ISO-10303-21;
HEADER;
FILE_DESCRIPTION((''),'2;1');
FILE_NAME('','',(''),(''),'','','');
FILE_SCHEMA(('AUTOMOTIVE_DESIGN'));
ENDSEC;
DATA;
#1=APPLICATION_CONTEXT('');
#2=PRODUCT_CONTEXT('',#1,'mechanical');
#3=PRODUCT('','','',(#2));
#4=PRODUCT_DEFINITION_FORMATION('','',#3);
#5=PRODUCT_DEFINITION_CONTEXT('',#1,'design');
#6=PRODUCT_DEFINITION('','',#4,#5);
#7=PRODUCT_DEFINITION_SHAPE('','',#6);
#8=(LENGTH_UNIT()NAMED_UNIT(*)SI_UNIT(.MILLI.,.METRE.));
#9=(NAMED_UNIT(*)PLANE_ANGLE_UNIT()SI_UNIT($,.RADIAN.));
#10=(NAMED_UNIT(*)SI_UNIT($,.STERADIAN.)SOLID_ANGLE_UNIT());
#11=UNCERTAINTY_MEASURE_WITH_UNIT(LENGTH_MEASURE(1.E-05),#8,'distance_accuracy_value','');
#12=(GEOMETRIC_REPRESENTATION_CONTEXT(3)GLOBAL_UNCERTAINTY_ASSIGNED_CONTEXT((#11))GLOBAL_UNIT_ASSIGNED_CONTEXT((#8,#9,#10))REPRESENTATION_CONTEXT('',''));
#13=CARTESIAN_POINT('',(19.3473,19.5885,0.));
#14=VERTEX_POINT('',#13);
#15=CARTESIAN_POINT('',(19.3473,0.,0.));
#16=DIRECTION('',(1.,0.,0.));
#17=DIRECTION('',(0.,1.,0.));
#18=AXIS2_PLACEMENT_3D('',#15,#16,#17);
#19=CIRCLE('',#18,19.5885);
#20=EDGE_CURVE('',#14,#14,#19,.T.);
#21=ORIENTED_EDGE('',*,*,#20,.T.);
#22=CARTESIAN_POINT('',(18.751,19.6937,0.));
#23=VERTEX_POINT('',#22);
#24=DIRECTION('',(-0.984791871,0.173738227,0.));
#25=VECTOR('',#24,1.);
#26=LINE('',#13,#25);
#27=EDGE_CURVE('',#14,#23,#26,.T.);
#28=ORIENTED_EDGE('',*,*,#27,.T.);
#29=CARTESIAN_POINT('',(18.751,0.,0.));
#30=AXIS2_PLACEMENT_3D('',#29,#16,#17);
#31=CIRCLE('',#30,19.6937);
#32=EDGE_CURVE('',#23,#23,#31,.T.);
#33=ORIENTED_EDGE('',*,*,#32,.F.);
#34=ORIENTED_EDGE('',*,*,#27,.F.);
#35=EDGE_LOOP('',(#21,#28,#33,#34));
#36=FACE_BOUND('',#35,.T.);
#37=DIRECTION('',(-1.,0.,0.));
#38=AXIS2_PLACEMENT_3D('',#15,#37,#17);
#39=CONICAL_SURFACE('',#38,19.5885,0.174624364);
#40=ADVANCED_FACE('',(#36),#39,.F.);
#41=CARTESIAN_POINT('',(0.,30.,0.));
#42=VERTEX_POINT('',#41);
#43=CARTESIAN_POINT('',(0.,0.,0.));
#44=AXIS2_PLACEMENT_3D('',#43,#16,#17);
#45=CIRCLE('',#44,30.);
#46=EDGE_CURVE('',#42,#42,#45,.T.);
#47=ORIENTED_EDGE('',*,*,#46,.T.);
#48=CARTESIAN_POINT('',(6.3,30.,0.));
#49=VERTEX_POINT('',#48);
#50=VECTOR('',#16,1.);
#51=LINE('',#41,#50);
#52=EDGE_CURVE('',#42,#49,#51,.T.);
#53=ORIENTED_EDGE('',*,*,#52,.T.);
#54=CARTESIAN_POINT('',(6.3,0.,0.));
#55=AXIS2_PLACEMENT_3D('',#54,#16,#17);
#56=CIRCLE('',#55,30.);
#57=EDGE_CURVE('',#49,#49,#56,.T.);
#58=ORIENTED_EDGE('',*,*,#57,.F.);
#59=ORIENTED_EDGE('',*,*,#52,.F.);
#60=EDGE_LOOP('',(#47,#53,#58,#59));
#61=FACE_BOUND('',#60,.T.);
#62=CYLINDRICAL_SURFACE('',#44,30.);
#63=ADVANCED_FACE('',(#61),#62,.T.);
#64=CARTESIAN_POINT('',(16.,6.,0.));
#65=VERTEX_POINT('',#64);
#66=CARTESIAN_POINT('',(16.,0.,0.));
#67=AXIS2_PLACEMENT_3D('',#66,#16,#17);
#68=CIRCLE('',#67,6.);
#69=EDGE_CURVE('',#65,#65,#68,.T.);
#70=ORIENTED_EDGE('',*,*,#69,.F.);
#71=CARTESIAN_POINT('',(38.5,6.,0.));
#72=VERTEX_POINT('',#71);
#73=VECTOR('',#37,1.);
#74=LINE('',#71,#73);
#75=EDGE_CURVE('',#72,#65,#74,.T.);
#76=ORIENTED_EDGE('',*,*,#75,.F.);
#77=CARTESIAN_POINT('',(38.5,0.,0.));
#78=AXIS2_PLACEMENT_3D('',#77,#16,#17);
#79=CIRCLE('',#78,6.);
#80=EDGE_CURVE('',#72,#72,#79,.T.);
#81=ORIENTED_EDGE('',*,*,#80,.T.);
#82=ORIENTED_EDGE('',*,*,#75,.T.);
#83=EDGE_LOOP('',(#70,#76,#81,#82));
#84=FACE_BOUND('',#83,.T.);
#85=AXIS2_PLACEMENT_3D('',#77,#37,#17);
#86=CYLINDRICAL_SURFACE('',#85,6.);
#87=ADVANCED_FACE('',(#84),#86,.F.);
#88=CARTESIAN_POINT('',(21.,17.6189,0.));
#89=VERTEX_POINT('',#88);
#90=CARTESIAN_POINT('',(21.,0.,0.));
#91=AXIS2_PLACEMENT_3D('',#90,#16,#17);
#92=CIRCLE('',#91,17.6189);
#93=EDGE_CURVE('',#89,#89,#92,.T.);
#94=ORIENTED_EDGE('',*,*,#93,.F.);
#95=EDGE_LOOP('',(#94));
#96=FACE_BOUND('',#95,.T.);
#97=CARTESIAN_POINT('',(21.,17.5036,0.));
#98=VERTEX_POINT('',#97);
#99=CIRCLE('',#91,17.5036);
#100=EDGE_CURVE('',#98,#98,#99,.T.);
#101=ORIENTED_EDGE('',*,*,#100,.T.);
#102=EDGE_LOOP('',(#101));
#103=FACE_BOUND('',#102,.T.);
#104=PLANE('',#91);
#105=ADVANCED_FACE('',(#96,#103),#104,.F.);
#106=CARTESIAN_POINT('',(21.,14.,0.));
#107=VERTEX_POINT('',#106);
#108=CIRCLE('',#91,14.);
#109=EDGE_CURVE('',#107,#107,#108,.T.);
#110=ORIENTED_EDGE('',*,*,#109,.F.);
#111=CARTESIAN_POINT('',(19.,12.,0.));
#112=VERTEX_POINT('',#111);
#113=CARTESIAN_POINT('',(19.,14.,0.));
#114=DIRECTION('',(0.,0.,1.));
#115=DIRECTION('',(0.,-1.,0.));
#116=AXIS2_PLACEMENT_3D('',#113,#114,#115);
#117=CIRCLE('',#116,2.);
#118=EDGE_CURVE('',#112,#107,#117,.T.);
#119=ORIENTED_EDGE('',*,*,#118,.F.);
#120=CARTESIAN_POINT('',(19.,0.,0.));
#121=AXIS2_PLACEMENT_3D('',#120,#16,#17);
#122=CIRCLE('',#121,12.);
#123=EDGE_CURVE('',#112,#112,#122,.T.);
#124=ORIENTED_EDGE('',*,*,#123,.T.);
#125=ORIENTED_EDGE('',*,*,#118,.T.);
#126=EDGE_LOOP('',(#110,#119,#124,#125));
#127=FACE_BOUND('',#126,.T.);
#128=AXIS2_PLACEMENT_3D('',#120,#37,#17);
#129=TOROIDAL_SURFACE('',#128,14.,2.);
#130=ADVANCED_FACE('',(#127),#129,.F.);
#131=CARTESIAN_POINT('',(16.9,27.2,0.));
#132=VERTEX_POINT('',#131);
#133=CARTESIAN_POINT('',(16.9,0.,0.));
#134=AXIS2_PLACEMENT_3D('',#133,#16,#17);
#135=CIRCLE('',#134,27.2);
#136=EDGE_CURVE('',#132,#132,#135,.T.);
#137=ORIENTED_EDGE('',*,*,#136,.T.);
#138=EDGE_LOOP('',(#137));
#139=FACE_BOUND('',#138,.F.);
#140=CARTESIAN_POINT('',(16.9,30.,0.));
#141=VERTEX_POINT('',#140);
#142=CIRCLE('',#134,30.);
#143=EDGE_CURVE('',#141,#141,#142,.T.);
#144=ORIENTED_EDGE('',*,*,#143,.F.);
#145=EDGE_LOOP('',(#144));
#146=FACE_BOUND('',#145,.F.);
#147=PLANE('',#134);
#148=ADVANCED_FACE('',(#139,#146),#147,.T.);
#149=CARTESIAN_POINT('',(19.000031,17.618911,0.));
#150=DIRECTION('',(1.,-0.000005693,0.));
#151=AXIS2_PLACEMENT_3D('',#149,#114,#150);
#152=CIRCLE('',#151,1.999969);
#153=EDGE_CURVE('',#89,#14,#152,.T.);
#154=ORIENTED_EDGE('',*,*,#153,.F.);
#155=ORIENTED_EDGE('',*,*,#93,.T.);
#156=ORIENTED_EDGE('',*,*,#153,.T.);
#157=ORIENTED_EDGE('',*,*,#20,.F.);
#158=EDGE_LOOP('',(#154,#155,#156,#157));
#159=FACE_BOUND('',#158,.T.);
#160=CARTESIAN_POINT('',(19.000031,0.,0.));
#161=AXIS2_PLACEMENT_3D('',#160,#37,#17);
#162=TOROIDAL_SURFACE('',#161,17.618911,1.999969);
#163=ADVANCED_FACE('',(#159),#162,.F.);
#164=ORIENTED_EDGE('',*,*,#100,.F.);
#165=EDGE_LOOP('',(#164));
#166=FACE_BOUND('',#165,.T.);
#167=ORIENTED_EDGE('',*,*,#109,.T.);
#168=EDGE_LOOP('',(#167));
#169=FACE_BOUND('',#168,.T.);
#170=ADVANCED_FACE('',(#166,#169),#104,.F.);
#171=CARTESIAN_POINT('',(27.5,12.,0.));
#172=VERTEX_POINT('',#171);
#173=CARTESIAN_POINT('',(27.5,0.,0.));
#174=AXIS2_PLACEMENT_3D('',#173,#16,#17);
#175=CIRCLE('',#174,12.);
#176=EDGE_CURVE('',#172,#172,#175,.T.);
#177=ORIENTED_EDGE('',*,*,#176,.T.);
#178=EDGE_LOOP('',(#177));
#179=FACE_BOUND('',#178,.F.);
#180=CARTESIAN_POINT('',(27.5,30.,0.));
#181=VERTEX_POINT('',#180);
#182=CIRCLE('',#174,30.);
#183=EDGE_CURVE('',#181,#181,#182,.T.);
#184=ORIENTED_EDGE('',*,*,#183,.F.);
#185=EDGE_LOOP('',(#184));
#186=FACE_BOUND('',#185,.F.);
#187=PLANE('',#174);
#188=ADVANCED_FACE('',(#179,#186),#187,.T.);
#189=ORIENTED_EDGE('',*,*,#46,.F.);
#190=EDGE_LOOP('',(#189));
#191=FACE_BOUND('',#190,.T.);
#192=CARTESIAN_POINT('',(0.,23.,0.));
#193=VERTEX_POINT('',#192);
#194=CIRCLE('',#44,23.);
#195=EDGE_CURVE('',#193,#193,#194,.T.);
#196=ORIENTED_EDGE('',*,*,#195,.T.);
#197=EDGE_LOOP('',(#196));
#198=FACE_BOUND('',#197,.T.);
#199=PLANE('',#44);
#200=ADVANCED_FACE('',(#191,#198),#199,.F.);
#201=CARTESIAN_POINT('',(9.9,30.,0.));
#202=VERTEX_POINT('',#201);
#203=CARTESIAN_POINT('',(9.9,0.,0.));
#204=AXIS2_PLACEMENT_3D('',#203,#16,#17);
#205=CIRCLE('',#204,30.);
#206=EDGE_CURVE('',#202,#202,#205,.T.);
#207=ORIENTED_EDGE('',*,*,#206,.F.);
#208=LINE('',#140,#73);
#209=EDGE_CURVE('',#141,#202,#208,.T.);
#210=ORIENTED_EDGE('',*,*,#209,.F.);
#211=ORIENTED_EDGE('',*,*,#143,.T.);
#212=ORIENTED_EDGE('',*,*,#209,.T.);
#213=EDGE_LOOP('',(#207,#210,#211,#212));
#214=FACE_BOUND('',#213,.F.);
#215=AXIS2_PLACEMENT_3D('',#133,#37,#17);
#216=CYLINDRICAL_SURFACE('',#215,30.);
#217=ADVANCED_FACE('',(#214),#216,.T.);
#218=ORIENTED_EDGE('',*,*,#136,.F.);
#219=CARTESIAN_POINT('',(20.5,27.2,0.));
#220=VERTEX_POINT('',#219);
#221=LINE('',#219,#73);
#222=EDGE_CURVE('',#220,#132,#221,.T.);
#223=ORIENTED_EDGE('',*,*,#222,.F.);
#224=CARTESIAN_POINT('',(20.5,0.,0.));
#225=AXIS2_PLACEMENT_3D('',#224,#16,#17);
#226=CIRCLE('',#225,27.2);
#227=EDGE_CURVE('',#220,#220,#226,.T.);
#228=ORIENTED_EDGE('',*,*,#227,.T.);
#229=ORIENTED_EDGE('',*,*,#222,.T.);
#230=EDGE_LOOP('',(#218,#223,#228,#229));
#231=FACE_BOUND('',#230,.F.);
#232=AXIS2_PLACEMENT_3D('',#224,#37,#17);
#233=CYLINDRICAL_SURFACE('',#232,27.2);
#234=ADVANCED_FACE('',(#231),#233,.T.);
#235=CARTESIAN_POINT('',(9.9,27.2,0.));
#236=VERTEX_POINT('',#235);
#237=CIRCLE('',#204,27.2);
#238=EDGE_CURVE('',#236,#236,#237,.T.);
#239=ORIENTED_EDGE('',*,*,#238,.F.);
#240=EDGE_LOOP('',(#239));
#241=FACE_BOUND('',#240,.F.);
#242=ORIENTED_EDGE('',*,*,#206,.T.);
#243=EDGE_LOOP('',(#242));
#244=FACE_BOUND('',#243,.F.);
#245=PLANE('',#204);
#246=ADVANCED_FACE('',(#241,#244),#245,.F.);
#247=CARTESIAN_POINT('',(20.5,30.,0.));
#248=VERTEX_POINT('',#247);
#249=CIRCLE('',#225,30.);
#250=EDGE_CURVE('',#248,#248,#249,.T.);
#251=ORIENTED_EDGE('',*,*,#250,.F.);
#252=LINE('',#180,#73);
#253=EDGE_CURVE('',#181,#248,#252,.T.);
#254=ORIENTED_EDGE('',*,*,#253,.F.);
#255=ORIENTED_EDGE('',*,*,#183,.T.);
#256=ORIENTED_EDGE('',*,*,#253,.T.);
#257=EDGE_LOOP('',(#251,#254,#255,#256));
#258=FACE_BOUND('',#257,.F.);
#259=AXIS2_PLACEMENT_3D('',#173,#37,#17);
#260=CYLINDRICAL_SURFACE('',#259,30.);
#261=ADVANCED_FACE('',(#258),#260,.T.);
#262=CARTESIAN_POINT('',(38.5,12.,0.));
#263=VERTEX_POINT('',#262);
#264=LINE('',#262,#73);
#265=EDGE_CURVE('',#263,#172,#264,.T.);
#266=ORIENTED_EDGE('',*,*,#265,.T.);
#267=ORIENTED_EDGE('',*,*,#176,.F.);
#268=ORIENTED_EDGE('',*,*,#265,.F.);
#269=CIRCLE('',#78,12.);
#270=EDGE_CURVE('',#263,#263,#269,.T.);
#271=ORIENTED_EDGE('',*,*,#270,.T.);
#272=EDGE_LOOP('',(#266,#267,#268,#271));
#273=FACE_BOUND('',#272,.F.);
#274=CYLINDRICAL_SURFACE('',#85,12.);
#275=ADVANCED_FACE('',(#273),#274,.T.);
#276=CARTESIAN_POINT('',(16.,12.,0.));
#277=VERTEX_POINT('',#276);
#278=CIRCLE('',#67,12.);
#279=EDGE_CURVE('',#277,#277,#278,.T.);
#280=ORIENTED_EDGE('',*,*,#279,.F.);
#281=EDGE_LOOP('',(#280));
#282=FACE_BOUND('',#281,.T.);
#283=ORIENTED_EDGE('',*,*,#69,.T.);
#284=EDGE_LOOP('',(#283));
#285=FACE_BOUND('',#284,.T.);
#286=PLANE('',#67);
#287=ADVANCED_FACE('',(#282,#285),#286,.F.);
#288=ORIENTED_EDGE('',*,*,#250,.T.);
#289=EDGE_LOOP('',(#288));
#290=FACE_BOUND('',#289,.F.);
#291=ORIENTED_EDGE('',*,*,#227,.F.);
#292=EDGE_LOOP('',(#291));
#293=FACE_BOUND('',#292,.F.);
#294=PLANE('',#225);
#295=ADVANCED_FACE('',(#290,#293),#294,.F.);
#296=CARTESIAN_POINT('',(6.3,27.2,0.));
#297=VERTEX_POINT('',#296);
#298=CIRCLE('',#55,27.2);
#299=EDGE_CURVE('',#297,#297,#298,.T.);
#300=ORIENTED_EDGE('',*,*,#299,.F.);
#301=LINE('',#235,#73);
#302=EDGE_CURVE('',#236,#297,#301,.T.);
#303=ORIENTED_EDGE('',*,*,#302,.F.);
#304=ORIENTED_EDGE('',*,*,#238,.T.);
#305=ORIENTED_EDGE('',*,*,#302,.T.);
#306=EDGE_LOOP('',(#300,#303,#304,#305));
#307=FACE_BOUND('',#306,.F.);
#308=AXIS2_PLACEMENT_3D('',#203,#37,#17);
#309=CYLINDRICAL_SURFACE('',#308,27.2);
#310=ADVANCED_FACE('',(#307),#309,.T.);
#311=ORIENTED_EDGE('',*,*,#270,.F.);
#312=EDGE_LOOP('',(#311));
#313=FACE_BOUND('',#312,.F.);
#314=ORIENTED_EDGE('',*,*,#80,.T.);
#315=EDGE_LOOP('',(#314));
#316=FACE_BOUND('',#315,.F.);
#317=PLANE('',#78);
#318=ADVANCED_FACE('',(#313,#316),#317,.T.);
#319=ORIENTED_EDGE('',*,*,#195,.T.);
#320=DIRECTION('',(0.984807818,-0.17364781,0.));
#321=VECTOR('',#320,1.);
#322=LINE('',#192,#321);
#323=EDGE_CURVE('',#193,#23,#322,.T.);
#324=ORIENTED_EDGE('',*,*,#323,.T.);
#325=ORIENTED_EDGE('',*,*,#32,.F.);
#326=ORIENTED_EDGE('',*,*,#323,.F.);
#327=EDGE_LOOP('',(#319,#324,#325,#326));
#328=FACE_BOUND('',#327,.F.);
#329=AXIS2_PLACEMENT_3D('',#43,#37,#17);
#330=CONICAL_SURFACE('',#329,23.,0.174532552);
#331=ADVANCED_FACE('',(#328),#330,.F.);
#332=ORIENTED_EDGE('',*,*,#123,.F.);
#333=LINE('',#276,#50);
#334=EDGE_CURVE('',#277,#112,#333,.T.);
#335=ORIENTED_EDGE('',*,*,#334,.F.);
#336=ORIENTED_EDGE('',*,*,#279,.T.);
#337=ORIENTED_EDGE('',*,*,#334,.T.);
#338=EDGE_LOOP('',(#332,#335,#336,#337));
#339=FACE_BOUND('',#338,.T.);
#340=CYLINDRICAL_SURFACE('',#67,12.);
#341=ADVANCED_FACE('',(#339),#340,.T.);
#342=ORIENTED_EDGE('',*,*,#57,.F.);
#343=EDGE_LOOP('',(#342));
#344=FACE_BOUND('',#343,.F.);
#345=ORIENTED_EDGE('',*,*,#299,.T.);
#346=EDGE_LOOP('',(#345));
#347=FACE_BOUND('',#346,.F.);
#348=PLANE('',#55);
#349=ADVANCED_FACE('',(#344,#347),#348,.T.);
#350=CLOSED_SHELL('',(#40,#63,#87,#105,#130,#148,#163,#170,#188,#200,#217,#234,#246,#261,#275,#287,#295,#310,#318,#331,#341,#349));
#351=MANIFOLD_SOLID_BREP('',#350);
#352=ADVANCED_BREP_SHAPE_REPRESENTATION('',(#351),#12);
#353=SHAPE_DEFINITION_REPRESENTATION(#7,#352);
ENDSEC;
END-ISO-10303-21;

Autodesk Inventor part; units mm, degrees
ref_plane "YZ Plane" through (0, 0, 0) normal (1, 0, 0) x (0, 1, 0)
ref_plane "XZ Plane" through (0, 0, 0) normal (0, 1, 0) x (-1, 0, 0)
ref_plane "XY Plane" through (0, 0, 0) normal (0, 0, 1) x (1, 0, 0)
sketch "Sketch1" plane through (0, 0, 0) normal (0, 0, 1) x (1, 0, 0)
  line L0 (0, 0) -> (38.5, 0)
  line L1 (38.5, 6) -> (16, 6)
  line L2 (38.5, 12) -> (27.5, 12)
  line L3 (27.5, 12) -> (27.5, 30)
  line L4 (27.5, 30) -> (20.5, 30)
  line L5 (20.5, 30) -> (20.5, 27.2)
  line L6 (20.5, 27.2) -> (16.9, 27.2)
  line L7 (16.9, 27.2) -> (16.9, 30)
  line L8 (16.9, 30) -> (9.9, 30)
  line L9 (9.9, 30) -> (9.9, 27.2)
  line L10 (9.9, 27.2) -> (6.3, 27.2)
  line L11 (6.3, 27.2) -> (6.3, 30)
  line L12 (0, 0) -> (0, 30)
  line L13 (0, 30) -> (6.3, 30)
  line L14 (38.5, 6) -> (38.5, 12)
  line L15 (16, 6) -> (16, 12)
  line L16 (16, 12) -> (19, 12)
  line L17 (21, 14) -> (21, 17.5036)
  line L18 (0, 23) -> (18.751, 19.6937)
  line L19 (21, 17.5036) -> (21, 17.6189)
  line L20 (19.3473, 19.5885) -> (18.751, 19.6937)
  arc A0 (19, 12) -> (21, 14) centre (19, 14) ccw
  arc A1 (21, 17.6189) -> (19.3473, 19.5885) centre (19, 17.6189) ccw
  point P0 (21, 12)
  dimension "d0" = 38.5
  dimension "d1" = 22.5
  dimension "d2" = 38.5
  dimension "d3" = 6
  dimension "d4" = 11
  dimension "d5" = 7
  dimension "d6" = 2.8
  dimension "d7" = 3.6
  dimension "d8" = 7
  dimension "d9" = 2.8
  dimension "d10" = 3.6
  dimension "d12" = 12
  dimension "d13" = 30
  dimension "d14" = 27.5
  dimension "d15" = 21
  dimension "d16" = 23
  dimension "d17" = 10
  dimension "d18" = 2
  dimension "d19" = 2
revolve "Revolution1" add sketch "Sketch1" angle 360 about axis through (0, 0, 0) along (1, 0, 0)
equation "\"d2\" = d0"
